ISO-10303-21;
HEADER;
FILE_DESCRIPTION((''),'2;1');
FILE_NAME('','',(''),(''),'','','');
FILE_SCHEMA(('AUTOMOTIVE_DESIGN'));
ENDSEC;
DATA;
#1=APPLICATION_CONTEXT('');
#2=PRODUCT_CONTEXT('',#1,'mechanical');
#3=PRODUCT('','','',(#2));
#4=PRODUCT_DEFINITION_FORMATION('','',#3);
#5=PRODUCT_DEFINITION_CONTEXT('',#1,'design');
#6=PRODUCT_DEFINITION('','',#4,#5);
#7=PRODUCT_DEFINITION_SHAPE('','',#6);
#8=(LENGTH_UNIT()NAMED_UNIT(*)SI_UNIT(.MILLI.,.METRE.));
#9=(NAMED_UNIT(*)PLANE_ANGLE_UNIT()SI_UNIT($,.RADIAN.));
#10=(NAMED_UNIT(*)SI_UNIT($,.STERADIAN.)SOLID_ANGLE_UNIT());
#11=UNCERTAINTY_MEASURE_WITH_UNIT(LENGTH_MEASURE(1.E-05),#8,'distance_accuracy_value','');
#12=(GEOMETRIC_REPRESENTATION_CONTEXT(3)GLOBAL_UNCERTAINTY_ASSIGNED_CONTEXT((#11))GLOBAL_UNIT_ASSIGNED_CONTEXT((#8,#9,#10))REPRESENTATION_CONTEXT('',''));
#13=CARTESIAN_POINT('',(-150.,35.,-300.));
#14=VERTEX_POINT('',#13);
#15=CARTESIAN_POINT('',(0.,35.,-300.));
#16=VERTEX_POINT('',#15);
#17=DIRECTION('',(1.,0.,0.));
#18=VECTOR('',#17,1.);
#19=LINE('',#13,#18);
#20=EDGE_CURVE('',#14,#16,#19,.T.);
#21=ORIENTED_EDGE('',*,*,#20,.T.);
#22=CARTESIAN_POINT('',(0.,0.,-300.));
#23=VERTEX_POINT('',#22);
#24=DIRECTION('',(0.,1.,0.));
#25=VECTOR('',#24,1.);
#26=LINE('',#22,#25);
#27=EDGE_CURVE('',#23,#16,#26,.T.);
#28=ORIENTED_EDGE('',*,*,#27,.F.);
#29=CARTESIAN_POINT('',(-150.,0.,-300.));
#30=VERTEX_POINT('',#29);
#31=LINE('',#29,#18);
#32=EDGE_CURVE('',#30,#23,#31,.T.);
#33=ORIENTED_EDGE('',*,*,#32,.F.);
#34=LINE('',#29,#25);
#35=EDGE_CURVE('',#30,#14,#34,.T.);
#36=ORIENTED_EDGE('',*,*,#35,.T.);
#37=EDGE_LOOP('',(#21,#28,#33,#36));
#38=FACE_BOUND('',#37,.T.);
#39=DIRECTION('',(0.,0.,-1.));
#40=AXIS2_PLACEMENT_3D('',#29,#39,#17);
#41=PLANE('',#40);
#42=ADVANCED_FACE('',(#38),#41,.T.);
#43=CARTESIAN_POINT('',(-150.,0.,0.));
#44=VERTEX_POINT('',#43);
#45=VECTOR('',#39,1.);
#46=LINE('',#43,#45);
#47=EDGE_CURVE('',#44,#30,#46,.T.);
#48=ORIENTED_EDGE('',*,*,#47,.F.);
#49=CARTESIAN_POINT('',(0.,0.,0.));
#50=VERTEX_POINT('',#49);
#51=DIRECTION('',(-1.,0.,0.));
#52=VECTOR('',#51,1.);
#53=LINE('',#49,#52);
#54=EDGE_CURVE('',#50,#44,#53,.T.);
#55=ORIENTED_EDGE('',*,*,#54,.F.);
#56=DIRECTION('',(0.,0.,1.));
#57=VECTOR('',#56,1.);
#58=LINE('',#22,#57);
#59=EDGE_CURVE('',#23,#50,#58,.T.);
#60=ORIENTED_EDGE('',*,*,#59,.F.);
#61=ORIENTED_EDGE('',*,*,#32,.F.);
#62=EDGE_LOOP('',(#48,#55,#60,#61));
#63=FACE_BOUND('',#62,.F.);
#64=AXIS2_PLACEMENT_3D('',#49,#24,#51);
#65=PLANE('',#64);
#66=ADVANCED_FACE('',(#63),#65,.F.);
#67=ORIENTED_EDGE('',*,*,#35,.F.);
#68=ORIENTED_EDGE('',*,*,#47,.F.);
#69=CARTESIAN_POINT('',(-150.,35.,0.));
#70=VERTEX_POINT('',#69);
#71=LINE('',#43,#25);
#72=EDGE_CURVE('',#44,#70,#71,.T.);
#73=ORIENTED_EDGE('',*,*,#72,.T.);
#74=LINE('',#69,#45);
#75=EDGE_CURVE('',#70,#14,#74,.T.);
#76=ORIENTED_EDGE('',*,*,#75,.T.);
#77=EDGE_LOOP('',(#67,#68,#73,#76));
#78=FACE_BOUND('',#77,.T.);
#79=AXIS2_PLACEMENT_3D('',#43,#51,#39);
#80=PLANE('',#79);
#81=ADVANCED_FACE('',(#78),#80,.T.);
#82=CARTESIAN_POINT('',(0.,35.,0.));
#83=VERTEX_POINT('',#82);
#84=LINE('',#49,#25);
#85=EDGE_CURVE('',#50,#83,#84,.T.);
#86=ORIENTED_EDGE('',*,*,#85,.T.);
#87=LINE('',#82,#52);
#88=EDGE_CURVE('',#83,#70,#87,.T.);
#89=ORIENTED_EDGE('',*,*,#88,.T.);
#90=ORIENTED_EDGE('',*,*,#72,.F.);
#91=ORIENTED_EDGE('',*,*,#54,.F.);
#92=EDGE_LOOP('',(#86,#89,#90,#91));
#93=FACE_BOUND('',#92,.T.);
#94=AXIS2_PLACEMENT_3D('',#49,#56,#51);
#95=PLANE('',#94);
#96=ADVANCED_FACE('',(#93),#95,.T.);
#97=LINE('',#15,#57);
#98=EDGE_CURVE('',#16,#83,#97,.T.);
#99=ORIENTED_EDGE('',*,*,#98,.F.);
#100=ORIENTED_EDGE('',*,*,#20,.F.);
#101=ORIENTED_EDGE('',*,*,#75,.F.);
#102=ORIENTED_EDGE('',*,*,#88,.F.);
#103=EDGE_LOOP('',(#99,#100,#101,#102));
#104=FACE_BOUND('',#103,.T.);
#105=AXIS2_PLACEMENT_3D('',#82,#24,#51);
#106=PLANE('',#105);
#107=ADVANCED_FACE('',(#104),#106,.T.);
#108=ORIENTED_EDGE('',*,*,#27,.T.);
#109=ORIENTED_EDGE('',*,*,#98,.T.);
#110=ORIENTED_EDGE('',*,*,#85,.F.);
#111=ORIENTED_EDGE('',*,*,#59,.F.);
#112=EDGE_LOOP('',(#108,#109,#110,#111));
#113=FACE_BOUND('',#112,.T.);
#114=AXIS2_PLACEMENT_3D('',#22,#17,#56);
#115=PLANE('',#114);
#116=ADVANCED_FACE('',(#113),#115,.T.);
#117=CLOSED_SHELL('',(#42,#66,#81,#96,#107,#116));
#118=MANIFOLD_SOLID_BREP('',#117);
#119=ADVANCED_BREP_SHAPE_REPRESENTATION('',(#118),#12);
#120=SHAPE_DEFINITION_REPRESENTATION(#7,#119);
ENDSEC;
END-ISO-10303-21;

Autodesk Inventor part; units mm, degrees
ref_plane "YZ Plane" through (0, 0, 0) normal (1, 0, 0) x (0, 1, 0)
ref_plane "XZ Plane" through (0, 0, 0) normal (0, 1, 0) x (-1, 0, 0)
ref_plane "XY Plane" through (0, 0, 0) normal (0, 0, 1) x (1, 0, 0)
sketch "Sketch1" plane through (0, 0, 0) normal (0, 1, 0) x (-1, 0, 0)
  line L0 (0, 0) -> (150, 0)
  line L1 (150, 0) -> (150, -300)
  line L2 (150, -300) -> (0, -300)
  line L3 (0, -300) -> (0, 0)
  dimension "d0" = 150
  dimension "d1" = 300
extrude "Extrusion1" add sketch "Sketch1" along normal blind 35
properties part number "Carry Case"
